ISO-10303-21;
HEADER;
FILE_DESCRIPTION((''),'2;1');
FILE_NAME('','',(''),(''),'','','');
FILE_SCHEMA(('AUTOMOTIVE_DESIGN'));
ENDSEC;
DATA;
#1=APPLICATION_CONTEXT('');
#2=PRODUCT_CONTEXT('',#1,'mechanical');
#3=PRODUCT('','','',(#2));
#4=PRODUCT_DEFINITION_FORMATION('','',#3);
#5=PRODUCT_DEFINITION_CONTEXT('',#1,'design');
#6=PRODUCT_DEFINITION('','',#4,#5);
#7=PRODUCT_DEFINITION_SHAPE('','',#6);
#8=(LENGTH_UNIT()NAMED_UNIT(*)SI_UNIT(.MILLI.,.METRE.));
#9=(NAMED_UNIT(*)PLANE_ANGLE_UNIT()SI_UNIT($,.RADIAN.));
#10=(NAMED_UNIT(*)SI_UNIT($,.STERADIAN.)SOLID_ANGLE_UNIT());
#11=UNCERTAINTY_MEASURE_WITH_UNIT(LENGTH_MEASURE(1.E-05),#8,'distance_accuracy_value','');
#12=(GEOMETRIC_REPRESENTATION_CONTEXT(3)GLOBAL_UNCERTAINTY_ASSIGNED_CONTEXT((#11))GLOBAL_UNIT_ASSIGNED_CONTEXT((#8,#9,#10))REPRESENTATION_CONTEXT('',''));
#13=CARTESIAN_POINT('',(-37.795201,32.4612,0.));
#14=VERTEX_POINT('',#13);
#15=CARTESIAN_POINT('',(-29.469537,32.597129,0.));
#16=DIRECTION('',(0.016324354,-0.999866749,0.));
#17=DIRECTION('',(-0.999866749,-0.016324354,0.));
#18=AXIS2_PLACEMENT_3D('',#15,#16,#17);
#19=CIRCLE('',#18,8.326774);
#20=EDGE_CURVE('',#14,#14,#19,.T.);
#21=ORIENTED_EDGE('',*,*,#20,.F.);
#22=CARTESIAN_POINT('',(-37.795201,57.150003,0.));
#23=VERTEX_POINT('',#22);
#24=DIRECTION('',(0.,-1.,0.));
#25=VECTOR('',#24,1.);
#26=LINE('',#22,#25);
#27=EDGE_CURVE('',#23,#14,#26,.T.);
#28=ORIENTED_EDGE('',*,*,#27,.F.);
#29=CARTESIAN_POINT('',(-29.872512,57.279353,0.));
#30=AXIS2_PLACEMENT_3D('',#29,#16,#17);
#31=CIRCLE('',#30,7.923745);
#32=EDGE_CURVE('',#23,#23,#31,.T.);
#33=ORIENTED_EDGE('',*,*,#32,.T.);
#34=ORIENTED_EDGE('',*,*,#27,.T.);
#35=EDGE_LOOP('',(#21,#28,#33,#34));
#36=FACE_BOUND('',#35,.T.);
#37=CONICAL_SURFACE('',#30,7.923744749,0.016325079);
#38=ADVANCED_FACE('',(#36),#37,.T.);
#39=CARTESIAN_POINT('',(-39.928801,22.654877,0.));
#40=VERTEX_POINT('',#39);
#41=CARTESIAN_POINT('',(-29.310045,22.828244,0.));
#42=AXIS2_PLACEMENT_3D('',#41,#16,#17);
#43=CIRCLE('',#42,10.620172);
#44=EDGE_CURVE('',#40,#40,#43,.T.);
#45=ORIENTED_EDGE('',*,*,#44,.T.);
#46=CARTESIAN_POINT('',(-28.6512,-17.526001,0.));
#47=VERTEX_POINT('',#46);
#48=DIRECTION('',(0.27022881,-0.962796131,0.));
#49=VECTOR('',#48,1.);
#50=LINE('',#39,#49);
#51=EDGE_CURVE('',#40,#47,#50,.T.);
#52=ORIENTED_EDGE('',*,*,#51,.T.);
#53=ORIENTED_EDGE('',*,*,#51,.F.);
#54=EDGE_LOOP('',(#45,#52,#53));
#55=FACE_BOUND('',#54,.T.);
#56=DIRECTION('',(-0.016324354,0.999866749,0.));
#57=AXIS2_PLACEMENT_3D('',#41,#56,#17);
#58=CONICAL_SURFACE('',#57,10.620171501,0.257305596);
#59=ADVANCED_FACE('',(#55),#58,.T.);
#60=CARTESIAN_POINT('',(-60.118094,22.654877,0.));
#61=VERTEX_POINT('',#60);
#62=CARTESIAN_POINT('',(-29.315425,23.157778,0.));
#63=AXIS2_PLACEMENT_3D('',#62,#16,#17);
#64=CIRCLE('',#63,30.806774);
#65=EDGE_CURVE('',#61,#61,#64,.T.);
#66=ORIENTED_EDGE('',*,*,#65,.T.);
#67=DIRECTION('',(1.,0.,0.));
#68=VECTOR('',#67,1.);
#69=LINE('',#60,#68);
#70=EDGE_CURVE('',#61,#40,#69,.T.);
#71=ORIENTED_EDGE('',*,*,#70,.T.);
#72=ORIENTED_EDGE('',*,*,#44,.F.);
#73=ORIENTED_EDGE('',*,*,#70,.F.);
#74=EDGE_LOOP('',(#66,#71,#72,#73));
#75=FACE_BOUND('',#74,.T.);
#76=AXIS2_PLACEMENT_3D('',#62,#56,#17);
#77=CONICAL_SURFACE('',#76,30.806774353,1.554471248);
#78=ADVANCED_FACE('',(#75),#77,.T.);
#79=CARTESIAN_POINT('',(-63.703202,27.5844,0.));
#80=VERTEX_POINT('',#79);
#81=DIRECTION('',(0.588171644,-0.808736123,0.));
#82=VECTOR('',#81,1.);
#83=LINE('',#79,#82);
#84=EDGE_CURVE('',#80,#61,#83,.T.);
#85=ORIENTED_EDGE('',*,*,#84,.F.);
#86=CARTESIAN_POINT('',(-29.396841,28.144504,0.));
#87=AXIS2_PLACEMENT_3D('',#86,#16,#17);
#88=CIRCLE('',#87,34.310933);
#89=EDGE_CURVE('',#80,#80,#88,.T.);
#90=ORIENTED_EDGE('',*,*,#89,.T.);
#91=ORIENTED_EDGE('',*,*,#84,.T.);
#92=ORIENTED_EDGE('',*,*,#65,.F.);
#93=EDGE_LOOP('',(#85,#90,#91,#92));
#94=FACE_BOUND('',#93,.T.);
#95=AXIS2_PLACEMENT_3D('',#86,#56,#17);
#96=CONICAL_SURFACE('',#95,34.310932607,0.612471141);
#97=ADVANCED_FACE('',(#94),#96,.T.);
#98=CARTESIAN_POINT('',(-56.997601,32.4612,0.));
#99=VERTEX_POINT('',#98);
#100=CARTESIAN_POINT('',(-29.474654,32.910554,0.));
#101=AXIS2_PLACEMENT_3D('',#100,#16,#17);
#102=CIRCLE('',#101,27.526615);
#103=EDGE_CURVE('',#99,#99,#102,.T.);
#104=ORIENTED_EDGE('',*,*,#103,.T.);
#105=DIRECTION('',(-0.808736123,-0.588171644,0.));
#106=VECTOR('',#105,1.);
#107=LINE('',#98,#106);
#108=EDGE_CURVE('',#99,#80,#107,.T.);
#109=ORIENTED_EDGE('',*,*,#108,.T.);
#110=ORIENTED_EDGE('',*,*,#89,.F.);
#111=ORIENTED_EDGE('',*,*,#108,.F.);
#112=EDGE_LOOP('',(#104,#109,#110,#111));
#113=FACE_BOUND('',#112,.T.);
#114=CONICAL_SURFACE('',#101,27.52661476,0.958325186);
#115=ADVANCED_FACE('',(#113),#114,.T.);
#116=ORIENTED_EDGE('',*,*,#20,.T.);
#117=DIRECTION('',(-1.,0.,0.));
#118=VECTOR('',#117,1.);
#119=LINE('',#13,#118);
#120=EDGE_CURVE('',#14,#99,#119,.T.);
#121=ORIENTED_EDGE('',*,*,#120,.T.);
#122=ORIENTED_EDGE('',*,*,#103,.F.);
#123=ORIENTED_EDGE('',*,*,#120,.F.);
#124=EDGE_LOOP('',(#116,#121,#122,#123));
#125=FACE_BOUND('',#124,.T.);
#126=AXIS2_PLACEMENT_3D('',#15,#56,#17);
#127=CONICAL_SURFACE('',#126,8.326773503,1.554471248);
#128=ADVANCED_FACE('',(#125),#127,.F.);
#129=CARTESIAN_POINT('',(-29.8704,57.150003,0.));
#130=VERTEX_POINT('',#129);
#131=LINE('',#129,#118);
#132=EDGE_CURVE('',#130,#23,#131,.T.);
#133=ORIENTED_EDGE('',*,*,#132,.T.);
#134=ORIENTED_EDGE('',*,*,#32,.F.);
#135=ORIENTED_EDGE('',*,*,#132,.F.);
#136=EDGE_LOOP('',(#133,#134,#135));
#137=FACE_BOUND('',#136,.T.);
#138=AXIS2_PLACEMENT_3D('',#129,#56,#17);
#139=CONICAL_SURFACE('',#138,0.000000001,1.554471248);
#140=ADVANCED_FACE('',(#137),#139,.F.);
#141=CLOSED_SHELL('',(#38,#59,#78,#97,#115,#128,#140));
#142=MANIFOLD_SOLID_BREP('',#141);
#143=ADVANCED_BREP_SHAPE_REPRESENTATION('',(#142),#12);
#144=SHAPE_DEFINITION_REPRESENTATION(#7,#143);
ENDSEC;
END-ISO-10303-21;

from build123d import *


with BuildPart() as f1:
    # F0 (on Top) → F1 (revolve)
    with BuildSketch(Plane.XY):
        Polygon((-29.8704002053, 57.150002569), (-37.7952009439, 57.150002569), (-37.7952009439, 32.4611999094), (-29.4673177405, 32.4611999094), align=None)
        Polygon((-29.4673177405, 32.4611999094), (-37.7952009439, 32.4611999094), (-56.9976009429, 32.4611999094), (-63.7032017112, 27.584400028), (-60.1180944561, 22.6548768676), (-39.9288013577, 22.6548768676), (-29.3072145181, 22.6548768676), align=None)
        Polygon((-28.6512002349, -17.5260007381), (-29.3072145181, 22.6548768676), (-39.9288013577, 22.6548768676), align=None)
    revolve(axis=Axis((-29.2608002201, 19.8120009154, 0), (0.016324354, -0.9998667489, 0)))


solid = f1.part
